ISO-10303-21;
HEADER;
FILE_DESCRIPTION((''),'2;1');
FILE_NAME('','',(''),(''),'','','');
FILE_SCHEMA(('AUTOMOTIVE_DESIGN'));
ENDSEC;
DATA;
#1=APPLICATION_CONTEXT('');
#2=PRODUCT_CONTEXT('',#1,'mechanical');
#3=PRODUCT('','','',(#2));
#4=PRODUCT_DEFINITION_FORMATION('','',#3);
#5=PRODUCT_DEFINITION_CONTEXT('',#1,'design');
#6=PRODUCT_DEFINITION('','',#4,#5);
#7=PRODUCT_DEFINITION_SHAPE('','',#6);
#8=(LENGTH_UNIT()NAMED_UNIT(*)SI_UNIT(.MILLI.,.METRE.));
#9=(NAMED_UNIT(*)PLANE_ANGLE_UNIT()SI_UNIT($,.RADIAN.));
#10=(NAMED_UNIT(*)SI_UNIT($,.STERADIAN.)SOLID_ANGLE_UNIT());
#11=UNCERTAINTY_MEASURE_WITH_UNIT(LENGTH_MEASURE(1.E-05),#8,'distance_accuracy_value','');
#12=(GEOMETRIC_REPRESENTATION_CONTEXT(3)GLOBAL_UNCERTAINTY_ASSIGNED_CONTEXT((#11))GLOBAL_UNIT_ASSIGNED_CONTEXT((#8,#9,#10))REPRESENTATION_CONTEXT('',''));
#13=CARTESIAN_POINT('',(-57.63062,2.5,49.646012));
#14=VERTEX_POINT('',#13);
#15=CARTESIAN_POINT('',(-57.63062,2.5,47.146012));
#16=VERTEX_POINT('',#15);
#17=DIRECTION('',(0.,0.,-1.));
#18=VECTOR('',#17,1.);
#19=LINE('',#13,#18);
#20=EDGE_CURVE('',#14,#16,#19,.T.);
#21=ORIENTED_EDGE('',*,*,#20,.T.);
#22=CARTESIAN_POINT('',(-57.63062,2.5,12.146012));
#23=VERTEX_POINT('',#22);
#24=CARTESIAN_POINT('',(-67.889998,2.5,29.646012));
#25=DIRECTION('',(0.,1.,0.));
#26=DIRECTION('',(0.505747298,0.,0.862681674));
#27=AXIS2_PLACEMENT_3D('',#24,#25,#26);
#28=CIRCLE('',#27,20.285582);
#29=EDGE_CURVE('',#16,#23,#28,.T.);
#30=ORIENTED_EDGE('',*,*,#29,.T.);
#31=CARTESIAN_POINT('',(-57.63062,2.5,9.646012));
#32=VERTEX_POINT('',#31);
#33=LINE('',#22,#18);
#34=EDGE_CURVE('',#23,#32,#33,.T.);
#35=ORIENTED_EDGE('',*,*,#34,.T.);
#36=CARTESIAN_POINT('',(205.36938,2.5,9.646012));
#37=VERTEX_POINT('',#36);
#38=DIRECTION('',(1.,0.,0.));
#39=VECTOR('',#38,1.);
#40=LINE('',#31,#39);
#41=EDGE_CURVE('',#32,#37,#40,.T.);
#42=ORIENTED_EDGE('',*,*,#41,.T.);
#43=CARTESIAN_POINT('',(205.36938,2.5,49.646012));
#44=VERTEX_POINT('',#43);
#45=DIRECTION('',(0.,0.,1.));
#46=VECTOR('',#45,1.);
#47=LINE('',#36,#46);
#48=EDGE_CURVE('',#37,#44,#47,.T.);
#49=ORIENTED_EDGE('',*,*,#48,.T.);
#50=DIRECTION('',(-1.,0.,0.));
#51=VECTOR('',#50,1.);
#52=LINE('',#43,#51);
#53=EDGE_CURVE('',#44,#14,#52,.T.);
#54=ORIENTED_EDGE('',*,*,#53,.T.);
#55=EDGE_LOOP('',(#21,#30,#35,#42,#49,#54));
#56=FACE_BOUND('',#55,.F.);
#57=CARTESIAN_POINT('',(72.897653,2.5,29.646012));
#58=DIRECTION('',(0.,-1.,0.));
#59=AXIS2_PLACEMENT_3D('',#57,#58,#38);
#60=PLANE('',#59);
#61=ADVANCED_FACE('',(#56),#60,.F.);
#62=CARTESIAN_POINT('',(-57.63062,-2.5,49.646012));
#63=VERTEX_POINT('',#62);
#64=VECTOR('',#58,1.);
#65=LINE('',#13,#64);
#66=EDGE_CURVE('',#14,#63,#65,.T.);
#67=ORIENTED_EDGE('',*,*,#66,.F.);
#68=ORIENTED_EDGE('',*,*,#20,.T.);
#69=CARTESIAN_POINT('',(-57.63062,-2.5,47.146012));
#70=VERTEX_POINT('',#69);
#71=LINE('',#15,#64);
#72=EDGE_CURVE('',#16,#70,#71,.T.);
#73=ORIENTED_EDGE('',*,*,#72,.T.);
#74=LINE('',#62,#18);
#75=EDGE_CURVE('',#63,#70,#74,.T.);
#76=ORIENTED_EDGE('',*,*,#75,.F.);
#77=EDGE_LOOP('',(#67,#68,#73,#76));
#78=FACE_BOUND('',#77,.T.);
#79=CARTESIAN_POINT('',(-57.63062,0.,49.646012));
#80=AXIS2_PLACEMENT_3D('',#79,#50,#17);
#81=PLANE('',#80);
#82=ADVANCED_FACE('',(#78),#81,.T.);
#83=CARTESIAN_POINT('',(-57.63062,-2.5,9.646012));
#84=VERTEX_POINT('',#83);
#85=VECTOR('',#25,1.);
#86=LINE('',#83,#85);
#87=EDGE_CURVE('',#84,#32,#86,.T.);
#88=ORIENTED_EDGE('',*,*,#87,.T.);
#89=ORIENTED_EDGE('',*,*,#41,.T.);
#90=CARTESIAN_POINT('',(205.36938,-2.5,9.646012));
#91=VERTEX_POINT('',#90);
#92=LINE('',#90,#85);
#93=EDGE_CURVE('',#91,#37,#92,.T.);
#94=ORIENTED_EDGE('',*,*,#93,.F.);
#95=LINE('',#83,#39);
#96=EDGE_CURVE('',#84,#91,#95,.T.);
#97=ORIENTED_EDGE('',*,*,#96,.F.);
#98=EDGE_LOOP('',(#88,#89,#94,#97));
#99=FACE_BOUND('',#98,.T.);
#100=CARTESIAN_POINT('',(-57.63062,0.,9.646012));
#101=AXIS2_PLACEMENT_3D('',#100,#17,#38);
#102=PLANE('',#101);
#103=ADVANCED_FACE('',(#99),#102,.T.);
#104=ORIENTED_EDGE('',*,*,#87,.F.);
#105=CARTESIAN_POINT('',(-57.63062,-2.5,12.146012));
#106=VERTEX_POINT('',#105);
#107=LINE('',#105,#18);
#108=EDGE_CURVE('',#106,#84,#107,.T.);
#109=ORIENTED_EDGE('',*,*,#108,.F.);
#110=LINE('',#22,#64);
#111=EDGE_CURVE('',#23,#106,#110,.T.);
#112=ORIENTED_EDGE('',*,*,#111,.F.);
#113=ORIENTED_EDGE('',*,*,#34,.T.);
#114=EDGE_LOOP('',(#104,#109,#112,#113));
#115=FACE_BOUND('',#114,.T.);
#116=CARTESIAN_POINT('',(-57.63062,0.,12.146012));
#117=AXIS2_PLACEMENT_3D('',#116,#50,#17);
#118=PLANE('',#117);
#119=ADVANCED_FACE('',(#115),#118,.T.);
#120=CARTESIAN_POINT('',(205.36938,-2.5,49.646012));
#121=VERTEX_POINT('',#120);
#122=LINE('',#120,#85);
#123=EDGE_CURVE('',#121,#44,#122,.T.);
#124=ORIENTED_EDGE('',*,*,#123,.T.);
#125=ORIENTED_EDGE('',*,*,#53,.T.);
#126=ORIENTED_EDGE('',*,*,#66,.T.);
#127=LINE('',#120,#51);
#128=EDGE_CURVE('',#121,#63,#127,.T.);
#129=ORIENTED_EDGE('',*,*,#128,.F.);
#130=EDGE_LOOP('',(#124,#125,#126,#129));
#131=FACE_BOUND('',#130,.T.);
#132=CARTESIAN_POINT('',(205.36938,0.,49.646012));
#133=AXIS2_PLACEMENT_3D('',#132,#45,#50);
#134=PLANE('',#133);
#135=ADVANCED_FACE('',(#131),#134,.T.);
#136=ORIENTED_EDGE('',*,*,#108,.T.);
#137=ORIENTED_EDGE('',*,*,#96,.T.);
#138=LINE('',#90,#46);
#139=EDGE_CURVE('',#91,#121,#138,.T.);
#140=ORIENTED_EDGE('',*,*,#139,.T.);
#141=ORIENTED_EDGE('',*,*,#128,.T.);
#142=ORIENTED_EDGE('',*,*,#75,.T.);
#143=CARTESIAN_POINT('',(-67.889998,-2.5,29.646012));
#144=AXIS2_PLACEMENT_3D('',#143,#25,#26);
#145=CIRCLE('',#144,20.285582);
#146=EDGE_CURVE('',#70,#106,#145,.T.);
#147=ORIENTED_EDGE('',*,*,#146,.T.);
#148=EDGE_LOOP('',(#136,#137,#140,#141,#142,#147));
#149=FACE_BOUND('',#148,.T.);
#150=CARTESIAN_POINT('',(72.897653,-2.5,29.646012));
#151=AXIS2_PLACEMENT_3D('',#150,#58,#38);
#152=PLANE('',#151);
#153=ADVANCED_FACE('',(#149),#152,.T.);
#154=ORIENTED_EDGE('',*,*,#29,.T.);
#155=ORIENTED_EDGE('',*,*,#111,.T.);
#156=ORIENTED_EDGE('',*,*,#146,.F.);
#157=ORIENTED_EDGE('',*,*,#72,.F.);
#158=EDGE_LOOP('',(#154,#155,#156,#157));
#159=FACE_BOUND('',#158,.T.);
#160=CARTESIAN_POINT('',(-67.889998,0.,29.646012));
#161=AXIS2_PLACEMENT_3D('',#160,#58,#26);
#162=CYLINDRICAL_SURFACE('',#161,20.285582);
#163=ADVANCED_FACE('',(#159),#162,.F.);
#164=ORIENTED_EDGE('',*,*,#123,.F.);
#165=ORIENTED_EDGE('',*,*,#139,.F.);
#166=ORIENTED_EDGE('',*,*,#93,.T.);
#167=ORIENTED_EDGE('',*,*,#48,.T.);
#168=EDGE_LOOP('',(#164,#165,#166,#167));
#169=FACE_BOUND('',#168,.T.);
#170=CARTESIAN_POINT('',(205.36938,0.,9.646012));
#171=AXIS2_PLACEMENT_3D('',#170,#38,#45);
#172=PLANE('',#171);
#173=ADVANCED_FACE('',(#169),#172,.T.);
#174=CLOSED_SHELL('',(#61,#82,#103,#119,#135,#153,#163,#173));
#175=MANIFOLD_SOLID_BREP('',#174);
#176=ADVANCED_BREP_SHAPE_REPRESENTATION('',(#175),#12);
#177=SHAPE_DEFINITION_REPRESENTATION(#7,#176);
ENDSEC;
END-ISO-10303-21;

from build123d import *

# Parameters (mm, degrees)
F1_DEPTH = 2.5


with BuildPart() as f1:
    # F0 (on Front) → F1 (new body, symmetric)
    with BuildSketch(Plane.XZ):
        with BuildLine():
            Line((205.3693801672, 49.6460123666), (-57.6306198328, 49.6460123666))
            Line((-57.6306198328, 49.6460123666), (-57.6306198328, 47.1460123666))
            ThreePointArc((-57.6306198328, 47.1460123666), (-47.6044160209, 29.6460123666), (-57.6306198328, 12.1460123666))
            Line((-57.6306198328, 12.1460123666), (-57.6306198328, 9.6460123666))
            Line((-57.6306198328, 9.6460123666), (205.3693801672, 9.6460123666))
            Line((205.3693801672, 9.6460123666), (205.3693801672, 49.6460123666))
        make_face()
    extrude(amount=F1_DEPTH, both=True)


solid = f1.part
